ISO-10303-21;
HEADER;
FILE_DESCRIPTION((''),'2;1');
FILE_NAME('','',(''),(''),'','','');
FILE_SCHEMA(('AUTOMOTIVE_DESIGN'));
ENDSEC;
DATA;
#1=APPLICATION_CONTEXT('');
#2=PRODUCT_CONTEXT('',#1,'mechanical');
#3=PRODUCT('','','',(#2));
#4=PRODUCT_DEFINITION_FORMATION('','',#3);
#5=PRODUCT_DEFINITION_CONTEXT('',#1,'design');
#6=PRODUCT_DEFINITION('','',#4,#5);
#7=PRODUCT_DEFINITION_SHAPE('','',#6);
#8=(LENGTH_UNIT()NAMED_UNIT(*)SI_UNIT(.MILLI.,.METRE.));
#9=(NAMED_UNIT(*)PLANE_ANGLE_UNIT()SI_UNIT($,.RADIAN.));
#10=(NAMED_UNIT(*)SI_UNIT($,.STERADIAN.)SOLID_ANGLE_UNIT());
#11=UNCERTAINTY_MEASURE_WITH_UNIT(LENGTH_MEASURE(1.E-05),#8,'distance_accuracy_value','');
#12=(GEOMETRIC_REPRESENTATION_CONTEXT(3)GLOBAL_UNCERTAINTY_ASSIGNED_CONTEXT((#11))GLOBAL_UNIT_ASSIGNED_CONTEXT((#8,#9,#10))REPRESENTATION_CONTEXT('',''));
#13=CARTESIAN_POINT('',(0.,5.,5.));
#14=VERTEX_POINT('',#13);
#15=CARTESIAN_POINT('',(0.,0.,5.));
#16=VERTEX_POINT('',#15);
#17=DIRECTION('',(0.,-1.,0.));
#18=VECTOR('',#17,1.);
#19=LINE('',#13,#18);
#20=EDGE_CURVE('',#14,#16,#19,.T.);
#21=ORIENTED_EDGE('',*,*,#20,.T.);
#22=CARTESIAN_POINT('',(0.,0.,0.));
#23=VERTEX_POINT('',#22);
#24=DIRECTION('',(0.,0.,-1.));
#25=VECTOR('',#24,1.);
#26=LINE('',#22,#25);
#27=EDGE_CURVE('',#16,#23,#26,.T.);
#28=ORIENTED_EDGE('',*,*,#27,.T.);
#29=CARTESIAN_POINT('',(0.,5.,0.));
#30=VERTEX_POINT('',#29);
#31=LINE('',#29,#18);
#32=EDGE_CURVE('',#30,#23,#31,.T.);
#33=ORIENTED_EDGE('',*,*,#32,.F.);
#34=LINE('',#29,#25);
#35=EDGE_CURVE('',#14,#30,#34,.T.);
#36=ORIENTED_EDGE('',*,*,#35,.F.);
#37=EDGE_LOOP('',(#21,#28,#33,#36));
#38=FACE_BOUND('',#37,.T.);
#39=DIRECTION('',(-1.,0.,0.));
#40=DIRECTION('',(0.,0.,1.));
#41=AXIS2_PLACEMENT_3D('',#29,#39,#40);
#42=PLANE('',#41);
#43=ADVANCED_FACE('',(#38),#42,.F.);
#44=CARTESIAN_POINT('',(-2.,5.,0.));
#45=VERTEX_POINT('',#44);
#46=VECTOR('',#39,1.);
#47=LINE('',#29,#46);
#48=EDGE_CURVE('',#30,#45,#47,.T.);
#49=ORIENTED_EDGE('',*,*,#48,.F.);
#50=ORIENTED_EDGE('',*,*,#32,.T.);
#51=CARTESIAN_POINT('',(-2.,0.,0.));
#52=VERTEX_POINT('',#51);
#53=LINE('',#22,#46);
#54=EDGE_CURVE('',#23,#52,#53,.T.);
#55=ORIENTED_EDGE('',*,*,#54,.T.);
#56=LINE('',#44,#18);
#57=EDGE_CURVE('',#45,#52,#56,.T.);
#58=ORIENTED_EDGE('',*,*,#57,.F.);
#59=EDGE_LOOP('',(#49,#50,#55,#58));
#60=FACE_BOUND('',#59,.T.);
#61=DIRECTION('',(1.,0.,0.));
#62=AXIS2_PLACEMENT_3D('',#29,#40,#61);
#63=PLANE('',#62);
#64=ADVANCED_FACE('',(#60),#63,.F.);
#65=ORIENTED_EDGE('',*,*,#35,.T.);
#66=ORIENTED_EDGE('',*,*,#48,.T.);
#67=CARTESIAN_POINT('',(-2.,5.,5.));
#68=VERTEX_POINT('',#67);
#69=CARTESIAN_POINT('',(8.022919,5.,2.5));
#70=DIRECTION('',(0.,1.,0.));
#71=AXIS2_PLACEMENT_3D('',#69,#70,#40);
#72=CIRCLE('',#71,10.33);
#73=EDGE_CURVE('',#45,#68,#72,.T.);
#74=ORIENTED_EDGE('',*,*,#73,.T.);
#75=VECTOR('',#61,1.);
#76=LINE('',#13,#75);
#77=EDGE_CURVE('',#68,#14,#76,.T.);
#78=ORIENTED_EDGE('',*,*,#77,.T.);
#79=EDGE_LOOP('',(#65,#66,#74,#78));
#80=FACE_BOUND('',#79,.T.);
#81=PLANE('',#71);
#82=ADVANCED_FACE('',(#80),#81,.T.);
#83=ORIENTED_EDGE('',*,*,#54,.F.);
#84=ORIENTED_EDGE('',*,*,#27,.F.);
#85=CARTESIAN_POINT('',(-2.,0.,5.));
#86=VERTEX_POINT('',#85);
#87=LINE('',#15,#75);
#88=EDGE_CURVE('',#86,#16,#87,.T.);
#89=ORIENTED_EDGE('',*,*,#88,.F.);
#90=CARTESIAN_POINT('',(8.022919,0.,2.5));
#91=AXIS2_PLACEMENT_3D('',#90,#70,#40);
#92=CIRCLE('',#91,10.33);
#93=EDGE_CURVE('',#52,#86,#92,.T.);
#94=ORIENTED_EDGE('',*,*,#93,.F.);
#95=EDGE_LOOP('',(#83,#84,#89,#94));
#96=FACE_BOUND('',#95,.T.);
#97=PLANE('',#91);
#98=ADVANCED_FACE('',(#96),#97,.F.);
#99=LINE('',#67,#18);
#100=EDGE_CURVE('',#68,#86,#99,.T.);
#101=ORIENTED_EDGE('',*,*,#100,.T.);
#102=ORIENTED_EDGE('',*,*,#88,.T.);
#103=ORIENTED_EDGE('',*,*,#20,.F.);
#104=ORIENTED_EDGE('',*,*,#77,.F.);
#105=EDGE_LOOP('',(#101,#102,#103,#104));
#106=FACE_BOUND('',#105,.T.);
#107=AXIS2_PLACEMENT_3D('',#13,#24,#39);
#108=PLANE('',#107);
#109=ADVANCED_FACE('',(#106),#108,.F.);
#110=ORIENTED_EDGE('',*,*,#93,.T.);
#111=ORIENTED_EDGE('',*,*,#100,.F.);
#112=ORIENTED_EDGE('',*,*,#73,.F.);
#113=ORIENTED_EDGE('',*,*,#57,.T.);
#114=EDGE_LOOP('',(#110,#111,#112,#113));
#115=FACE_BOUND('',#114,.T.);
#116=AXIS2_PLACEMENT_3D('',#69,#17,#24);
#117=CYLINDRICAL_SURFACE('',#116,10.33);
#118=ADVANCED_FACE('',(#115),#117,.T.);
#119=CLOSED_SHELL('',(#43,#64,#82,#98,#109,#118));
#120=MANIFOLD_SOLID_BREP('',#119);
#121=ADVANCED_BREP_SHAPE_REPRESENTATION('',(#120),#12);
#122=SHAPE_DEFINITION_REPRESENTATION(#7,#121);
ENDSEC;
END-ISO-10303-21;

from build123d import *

# Parameters (mm, degrees)
EXTRUDE_1_DEPTH = 5


with BuildPart() as part:
    # 草图1 → 凸台-拉伸1 (new body)
    with BuildSketch(Plane(origin=(0, 0, 0), x_dir=(1, 0, 0), z_dir=(0, 1, 0))):
        with BuildLine():
            Line((0, 0), (0, -5))
            Line((0, -5), (-2, -5))
            ThreePointArc((-2, -5), (-2.307081263, -2.5), (-2, 0))
            Line((-2, 0), (0, 0))
        make_face()
    extrude(amount=EXTRUDE_1_DEPTH)


solid = part.part
